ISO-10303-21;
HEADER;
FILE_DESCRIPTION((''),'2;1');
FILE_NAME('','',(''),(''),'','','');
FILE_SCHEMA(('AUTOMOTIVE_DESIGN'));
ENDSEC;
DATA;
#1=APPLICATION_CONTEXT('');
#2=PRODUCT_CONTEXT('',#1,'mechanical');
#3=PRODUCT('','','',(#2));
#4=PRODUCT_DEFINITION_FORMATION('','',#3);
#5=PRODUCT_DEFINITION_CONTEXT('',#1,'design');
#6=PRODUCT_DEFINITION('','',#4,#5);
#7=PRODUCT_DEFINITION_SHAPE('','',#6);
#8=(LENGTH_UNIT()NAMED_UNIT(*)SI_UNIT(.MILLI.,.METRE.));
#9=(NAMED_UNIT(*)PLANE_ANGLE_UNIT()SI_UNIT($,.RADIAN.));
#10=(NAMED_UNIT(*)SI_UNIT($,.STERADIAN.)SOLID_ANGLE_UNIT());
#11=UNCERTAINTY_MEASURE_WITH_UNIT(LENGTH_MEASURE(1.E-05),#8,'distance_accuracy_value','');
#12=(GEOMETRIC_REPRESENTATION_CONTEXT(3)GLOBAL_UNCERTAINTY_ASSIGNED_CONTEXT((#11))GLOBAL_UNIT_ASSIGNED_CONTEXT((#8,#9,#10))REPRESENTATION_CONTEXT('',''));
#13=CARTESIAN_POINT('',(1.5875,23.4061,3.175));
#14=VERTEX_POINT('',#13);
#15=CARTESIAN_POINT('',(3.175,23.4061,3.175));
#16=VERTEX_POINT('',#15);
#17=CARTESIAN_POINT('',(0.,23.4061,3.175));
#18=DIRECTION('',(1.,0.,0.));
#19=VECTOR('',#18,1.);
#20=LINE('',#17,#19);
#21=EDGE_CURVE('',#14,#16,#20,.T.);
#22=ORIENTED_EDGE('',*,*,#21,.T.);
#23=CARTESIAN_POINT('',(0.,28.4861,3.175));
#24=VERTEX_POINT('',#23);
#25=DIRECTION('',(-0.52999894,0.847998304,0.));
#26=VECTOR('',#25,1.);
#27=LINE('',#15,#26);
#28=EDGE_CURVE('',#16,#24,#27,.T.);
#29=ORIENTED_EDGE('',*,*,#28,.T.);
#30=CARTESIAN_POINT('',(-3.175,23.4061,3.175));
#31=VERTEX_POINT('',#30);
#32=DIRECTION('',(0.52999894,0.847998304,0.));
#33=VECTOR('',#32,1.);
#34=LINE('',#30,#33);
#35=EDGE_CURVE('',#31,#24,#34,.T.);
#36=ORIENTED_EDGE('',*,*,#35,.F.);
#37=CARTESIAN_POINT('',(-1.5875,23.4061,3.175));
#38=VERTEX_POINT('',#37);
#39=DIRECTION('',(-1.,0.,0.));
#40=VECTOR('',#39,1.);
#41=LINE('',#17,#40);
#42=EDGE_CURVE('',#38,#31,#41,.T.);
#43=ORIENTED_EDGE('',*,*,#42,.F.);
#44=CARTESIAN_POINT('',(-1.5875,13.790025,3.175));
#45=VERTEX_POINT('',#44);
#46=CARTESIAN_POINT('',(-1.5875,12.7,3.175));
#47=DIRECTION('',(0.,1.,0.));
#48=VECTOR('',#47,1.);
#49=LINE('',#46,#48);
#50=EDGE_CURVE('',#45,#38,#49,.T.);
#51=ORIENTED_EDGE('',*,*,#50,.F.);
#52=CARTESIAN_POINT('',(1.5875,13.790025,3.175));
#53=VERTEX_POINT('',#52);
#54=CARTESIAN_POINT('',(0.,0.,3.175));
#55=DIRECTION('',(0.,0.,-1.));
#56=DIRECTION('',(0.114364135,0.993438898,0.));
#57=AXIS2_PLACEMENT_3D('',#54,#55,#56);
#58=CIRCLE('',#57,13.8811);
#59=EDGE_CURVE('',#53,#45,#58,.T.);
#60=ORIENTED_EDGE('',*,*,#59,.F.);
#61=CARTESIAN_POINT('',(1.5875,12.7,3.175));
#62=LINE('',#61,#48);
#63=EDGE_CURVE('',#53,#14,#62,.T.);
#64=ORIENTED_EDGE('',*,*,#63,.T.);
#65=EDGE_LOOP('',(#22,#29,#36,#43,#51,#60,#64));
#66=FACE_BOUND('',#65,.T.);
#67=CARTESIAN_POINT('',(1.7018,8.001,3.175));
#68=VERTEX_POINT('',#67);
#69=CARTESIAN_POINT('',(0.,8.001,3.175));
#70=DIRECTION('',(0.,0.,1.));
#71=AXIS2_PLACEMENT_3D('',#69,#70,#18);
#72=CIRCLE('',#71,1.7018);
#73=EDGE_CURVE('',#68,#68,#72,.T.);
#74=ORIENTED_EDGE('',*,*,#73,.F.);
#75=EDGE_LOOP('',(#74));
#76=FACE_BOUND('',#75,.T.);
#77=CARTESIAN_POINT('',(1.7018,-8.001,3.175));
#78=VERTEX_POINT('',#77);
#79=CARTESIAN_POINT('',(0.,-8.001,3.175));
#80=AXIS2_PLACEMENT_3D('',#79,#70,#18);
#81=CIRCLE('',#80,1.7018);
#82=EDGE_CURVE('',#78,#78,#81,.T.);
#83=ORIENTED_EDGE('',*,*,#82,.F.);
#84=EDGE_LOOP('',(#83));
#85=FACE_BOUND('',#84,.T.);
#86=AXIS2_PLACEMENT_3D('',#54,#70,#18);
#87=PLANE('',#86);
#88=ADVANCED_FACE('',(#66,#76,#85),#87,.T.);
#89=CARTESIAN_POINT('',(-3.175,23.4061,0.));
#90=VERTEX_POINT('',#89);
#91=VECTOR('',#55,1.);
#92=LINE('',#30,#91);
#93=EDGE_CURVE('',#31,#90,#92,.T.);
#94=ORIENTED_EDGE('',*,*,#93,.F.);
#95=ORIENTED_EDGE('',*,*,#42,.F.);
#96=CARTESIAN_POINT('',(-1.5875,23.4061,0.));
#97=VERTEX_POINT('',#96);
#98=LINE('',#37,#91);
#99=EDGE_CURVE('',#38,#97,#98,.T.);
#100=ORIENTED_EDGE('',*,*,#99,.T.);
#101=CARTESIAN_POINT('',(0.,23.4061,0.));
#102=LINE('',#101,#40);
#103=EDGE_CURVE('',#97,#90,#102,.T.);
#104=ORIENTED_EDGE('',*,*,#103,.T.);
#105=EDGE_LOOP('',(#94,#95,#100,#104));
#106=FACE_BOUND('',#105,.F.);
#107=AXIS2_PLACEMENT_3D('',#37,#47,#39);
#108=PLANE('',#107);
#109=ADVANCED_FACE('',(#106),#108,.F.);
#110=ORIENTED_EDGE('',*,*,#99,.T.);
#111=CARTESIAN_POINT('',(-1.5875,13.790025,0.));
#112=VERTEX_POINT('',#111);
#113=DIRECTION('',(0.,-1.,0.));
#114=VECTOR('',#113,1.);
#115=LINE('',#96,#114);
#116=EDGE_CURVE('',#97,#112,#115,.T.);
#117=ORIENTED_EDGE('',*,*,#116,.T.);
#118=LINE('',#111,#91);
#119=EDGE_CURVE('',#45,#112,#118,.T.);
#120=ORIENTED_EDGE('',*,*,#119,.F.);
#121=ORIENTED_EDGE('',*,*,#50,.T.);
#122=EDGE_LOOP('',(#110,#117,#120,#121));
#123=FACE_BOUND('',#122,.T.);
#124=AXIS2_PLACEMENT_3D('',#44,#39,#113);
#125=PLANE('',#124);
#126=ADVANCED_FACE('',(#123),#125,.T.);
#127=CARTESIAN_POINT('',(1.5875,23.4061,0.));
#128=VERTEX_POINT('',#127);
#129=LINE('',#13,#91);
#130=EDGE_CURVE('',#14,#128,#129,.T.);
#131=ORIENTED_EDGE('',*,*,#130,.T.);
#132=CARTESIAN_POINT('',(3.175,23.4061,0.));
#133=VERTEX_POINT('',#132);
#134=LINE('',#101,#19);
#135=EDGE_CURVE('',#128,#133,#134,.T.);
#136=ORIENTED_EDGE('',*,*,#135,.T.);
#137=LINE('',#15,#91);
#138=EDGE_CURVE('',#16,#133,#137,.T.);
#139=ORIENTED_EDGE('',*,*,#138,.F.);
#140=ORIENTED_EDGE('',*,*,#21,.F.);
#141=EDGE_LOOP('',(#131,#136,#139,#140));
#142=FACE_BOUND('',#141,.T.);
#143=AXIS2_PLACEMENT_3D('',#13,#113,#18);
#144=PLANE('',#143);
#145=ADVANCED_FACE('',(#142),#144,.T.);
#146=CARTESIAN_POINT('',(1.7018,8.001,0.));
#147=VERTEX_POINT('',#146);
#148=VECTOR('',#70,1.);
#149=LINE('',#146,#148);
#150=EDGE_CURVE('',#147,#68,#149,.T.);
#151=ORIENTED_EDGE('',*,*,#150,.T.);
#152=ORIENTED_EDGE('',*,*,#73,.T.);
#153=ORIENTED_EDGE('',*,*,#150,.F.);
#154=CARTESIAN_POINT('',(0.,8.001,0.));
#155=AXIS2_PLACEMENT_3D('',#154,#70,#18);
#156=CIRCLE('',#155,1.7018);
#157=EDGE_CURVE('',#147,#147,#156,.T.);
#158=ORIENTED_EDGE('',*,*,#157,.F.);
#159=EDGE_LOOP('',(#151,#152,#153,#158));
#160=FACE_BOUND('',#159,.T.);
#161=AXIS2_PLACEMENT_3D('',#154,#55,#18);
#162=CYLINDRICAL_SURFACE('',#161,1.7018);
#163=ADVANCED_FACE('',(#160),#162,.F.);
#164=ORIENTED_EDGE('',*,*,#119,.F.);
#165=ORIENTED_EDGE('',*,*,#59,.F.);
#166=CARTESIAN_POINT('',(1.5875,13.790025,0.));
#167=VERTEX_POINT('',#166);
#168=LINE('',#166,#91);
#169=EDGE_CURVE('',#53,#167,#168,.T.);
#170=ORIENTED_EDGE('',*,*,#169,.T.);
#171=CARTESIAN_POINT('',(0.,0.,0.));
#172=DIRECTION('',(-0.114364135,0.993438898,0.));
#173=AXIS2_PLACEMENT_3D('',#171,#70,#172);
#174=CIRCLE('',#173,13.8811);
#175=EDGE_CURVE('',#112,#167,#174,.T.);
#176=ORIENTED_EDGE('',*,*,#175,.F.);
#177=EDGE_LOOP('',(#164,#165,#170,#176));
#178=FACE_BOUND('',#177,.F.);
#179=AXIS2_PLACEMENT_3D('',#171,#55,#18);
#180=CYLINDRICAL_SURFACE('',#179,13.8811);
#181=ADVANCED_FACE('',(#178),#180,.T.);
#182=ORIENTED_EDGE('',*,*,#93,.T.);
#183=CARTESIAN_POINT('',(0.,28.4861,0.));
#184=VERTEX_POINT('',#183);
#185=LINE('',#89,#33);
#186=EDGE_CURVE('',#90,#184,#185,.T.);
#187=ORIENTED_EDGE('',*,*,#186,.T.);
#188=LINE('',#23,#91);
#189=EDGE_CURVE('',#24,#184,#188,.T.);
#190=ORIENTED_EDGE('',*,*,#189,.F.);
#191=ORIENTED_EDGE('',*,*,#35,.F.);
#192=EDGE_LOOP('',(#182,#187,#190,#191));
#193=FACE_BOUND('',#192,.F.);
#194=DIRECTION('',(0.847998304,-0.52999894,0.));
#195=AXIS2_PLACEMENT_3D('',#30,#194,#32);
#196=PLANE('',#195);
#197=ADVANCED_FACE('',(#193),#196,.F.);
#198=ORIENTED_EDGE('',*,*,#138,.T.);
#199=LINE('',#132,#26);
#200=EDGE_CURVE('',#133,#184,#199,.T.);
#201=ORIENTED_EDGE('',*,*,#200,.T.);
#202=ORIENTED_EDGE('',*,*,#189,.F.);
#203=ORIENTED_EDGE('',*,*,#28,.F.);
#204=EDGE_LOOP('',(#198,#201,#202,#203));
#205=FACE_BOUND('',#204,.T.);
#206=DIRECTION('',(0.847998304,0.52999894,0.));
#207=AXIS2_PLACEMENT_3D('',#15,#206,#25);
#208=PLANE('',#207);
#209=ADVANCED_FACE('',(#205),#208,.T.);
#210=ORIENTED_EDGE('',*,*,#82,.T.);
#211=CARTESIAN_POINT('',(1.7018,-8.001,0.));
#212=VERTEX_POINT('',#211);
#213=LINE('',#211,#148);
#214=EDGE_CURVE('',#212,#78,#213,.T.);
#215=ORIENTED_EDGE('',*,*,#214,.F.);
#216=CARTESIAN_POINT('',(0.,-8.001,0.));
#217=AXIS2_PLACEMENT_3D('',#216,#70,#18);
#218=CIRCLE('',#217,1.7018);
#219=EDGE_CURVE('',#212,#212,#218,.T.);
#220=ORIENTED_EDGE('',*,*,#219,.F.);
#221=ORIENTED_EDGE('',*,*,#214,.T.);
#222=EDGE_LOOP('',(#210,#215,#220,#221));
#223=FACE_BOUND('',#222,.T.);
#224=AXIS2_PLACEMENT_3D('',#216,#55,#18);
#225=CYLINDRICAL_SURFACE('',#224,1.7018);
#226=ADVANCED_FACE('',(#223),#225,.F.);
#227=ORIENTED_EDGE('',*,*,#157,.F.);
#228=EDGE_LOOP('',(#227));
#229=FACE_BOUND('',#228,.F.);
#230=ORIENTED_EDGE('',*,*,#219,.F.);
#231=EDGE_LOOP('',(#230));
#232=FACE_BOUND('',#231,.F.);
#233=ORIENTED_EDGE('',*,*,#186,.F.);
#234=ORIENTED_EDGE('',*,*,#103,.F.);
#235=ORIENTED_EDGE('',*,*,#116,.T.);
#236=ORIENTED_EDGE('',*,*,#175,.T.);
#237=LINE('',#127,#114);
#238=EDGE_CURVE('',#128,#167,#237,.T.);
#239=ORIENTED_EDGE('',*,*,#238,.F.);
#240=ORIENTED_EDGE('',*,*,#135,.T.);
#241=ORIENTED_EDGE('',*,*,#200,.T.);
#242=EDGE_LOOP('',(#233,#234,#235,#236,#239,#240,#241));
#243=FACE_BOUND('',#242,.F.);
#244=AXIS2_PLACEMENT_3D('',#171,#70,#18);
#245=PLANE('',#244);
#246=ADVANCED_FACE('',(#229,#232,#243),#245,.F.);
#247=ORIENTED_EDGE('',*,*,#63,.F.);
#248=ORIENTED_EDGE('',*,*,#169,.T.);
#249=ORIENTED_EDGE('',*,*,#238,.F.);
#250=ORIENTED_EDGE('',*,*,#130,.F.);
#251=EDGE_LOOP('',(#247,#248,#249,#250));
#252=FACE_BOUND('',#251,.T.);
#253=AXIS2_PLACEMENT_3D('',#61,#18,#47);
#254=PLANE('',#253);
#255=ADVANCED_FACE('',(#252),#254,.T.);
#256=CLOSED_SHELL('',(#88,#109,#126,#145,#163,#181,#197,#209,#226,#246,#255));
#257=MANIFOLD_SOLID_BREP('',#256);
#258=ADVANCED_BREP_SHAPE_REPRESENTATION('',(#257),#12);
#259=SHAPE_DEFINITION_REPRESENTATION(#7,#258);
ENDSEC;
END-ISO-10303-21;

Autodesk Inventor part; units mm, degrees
ref_plane "YZ Plane" through (0, 0, 0) normal (1, 0, 0) x (0, 1, 0)
ref_plane "XZ Plane" through (0, 0, 0) normal (0, 1, 0) x (-1, 0, 0)
ref_plane "XY Plane" through (0, 0, 0) normal (0, 0, 1) x (1, 0, 0)
sketch "Sketch1" plane through (0, 0, 0) normal (0, 0, 1) x (1, 0, 0)
  circle A0 centre (0, 0) radius 13.8811
  circle A1 centre (0, 0) radius 4.445
  circle A2 centre (0, 8.001) radius 1.7018
  circle A3 centre (0, -8.001) radius 1.7018
  dimension "d0" = 27.7622
  dimension "d1" = 8.89
  dimension "d2" = 16.002
  dimension "d3" = 8.001
  dimension "d4" = 3.4036
  dimension "d5" = 3.4036
extrude "Extrusion1" add sketch "Sketch1" along normal blind 3.175 contours A0 | A1
sketch "Sketch2" plane through (0, 0, 3.175) normal (0, 0, 1) x (1, 0, 0)
  line L0 (-1.5875, 12.7) -> (1.5875, 12.7)
  line L1 (1.5875, 12.7) -> (1.5875, 23.4061)
  line L2 (1.5875, 23.4061) -> (-1.5875, 23.4061)
  line L3 (-1.5875, 23.4061) -> (-1.5875, 12.7)
  circle A0 centre (0, 0) radius 13.8811 projected
  line L4 (0, 23.4061) -> (-3.175, 23.4061)
  line L5 (-3.175, 23.4061) -> (0, 28.4861)
  line L6 (0, 23.4061) -> (0, 21.3049) construction
  line L7 (0, 23.4061) -> (3.175, 23.4061)
  line L8 (3.175, 23.4061) -> (0, 28.4861)
  point P0 (0, 12.7)
  point P1 (-1.5875, 13.79)
  point P2 (1.5875, 13.79)
  dimension "d8" = 3.175
  dimension "d9" = 9.525
  dimension "d10" = 5.08
  dimension "d11" = 3.175
  dimension "d14" = 12.7
extrude "Extrusion2" add sketch "Sketch2" against normal up to surface (3.175 mm away) contours L3 A0 L1 L0 | L3 L2 L1 A0 | L4 L5 L8 L7 L2 picked at (-0.1767, 13.0903)
equation "\"d3\" = 0.5 * d2"
properties part number "Arrow_Top"
